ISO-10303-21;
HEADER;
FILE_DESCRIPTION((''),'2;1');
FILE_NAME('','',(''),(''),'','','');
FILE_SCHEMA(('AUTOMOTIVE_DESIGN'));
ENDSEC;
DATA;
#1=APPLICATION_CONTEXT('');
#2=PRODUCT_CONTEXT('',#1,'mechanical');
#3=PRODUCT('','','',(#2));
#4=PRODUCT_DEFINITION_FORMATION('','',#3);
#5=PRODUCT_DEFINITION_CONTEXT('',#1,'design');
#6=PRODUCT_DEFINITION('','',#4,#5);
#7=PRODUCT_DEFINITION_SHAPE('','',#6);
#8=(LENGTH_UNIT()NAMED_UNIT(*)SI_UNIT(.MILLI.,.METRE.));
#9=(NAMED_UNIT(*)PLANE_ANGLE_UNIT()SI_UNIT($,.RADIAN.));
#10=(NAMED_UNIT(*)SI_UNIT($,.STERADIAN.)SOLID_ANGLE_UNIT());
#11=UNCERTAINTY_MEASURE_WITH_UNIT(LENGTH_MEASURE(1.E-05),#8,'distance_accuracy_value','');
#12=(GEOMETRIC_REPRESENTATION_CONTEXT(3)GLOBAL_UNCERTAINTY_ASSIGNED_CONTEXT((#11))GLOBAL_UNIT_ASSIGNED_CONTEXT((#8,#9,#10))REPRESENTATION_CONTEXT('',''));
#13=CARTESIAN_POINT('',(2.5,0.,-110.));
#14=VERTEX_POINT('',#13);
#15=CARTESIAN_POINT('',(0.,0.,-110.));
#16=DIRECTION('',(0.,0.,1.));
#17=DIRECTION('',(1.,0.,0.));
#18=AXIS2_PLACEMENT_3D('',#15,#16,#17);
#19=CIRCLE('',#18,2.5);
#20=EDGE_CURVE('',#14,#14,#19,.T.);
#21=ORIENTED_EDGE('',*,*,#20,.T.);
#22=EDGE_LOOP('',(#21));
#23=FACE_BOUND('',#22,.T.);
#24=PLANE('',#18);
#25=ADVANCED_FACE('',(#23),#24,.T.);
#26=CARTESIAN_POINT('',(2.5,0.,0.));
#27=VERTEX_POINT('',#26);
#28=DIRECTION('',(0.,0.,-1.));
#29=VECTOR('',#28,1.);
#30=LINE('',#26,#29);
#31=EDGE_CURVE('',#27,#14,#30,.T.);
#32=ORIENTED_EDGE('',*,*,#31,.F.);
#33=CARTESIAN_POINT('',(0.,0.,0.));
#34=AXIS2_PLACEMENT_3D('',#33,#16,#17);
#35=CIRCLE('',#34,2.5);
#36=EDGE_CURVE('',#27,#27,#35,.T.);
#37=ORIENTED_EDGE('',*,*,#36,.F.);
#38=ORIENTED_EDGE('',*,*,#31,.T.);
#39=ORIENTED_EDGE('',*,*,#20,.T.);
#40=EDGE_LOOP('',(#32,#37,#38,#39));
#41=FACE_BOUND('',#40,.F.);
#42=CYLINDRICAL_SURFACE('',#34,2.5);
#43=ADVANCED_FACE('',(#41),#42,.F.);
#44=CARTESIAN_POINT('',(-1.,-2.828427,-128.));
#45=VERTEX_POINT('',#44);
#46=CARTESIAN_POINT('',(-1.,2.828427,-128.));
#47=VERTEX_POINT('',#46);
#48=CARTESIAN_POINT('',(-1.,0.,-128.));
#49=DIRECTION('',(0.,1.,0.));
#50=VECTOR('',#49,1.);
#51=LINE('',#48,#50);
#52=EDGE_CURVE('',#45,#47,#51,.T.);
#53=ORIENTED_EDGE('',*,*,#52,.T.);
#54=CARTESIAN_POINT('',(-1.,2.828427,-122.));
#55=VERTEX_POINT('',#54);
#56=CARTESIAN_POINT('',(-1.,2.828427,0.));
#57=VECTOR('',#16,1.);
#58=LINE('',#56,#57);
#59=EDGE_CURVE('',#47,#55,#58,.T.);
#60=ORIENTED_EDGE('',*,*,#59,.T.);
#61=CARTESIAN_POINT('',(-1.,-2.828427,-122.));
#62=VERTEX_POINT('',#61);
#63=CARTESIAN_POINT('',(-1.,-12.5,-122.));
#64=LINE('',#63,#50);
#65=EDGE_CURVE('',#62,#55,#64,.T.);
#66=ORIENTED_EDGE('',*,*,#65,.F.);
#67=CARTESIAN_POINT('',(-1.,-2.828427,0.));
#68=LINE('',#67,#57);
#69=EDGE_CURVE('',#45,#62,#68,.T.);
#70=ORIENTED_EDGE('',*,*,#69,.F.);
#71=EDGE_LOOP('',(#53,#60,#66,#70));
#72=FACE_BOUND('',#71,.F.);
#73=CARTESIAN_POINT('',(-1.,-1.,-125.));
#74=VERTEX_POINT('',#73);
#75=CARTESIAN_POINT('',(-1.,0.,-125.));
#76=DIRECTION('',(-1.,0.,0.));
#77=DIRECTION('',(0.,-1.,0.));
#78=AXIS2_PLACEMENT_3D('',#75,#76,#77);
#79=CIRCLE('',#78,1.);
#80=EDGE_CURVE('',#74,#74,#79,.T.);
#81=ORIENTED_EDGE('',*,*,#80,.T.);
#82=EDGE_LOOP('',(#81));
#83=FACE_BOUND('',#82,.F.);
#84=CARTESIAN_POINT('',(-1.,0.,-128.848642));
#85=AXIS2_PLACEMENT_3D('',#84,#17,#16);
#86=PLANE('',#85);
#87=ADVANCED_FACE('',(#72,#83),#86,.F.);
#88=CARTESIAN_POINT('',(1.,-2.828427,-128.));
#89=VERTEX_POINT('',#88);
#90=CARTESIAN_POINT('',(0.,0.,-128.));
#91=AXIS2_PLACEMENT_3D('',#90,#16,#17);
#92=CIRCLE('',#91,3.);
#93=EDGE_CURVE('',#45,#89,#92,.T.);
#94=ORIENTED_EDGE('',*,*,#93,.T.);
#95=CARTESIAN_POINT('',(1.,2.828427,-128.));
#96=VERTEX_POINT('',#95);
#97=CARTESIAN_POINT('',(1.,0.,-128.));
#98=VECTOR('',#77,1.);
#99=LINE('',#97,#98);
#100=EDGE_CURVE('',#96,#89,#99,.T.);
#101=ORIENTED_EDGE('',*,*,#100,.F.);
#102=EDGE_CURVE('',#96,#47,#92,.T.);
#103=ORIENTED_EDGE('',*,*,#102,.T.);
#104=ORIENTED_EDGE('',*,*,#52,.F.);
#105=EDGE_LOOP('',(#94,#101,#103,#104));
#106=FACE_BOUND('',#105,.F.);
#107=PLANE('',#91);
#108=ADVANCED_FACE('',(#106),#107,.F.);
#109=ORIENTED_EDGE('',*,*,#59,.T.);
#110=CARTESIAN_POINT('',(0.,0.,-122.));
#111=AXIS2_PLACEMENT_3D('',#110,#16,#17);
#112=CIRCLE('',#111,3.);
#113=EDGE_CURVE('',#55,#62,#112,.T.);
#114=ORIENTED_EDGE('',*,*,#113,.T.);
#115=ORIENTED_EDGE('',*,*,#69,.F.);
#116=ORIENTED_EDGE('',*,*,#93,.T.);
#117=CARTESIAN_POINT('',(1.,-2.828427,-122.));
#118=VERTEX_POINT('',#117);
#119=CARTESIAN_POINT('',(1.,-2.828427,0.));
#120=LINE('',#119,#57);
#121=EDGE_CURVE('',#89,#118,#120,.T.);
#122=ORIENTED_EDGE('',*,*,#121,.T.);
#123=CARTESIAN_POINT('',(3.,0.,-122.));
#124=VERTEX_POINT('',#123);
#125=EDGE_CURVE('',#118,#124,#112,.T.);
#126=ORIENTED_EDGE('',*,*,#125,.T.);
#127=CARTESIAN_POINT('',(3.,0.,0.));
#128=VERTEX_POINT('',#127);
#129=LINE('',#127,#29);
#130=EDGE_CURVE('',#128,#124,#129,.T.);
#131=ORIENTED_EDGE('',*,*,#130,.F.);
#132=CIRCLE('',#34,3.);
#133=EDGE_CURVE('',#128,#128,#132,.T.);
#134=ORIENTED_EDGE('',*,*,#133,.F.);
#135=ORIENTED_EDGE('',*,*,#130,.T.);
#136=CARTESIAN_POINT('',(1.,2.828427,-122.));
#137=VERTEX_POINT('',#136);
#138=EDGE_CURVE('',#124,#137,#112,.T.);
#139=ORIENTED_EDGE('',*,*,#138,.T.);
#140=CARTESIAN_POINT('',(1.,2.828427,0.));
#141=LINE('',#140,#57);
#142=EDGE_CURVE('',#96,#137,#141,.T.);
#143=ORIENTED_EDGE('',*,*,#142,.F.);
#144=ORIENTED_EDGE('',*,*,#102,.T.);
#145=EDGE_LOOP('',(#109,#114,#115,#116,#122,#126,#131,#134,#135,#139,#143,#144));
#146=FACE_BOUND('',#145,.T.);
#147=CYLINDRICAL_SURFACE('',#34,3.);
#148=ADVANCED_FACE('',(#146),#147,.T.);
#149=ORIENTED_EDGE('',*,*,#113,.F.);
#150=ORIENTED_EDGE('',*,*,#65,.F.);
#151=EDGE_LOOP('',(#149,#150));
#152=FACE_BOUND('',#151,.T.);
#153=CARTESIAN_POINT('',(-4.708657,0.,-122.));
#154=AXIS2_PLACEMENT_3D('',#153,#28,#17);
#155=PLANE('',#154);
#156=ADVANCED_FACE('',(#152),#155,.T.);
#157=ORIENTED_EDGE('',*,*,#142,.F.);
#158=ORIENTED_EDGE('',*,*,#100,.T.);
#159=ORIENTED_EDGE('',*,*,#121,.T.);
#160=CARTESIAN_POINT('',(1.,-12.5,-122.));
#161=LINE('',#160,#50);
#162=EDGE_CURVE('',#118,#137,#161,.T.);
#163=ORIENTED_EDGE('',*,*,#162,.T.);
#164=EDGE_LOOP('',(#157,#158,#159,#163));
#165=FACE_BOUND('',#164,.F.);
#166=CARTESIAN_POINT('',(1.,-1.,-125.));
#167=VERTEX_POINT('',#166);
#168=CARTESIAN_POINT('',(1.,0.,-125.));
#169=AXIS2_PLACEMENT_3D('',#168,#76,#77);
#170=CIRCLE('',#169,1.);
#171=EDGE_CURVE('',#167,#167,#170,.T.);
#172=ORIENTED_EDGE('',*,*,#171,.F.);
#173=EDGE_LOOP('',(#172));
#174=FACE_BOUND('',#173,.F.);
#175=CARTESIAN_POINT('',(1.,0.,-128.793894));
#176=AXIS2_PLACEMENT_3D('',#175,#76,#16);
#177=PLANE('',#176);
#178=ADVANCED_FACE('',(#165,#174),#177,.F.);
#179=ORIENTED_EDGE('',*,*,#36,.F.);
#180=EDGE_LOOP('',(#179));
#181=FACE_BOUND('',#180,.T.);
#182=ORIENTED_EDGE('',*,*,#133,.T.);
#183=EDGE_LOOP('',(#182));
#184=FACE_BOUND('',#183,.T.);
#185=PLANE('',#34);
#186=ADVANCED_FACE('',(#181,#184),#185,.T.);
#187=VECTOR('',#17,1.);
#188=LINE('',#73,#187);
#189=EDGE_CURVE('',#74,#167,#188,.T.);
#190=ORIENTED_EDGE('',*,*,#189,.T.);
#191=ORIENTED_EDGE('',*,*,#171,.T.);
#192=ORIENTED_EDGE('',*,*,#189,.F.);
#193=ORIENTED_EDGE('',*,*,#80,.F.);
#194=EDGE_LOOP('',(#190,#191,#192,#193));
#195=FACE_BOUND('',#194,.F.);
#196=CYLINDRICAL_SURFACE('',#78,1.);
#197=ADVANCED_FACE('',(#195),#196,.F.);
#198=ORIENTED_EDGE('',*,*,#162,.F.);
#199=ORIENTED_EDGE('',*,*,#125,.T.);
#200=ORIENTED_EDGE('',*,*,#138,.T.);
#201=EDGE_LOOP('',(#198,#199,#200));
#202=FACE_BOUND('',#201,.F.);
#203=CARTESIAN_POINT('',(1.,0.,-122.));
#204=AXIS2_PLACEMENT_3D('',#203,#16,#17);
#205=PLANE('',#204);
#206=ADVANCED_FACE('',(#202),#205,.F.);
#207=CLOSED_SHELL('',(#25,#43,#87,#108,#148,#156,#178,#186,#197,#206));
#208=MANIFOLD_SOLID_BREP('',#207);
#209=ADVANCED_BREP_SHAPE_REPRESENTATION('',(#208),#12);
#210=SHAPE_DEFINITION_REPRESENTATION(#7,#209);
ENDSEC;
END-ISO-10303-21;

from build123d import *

# Parameters (mm, degrees)
F0_R     = 3
F1_DEPTH = 128
F2_R     = 2.5
F3_DEPTH = 110
F4_W     = 3.289427
F4_H     = 6.793895
F4_W_2   = 3.708657
F4_H_2   = 6.848642
F5_DEPTH = 12.5
F6_R     = 1
F7_DEPTH = 25


with BuildPart() as f1:
    # F0 (on Top) → F1 (new body)
    with BuildSketch(Plane.XY):
        Circle(F0_R)
    extrude(amount=-F1_DEPTH)

    # F2 (on face) → F3 (cut)
    with BuildSketch(Plane.XY):
        Circle(F2_R)
    extrude(amount=-F3_DEPTH, mode=Mode.SUBTRACT)

    # F4 (on Front) → F5 (cut, symmetric)
    with BuildSketch(Plane.XZ):
        with Locations((2.644713, -125.396947)):
            Rectangle(F4_W, F4_H)
        with Locations((-2.854328, -125.424321)):
            Rectangle(F4_W_2, F4_H_2)
    extrude(amount=F5_DEPTH, both=True, mode=Mode.SUBTRACT)

    # F6 (on face) → F7 (cut)
    with BuildSketch(Plane(origin=(-1, 0, 0), x_dir=(0, -1, 0), z_dir=(-1, 0, 0))):
        with Locations((0, -125)):
            Circle(F6_R)
    extrude(amount=-F7_DEPTH, mode=Mode.SUBTRACT)


solid = f1.part
